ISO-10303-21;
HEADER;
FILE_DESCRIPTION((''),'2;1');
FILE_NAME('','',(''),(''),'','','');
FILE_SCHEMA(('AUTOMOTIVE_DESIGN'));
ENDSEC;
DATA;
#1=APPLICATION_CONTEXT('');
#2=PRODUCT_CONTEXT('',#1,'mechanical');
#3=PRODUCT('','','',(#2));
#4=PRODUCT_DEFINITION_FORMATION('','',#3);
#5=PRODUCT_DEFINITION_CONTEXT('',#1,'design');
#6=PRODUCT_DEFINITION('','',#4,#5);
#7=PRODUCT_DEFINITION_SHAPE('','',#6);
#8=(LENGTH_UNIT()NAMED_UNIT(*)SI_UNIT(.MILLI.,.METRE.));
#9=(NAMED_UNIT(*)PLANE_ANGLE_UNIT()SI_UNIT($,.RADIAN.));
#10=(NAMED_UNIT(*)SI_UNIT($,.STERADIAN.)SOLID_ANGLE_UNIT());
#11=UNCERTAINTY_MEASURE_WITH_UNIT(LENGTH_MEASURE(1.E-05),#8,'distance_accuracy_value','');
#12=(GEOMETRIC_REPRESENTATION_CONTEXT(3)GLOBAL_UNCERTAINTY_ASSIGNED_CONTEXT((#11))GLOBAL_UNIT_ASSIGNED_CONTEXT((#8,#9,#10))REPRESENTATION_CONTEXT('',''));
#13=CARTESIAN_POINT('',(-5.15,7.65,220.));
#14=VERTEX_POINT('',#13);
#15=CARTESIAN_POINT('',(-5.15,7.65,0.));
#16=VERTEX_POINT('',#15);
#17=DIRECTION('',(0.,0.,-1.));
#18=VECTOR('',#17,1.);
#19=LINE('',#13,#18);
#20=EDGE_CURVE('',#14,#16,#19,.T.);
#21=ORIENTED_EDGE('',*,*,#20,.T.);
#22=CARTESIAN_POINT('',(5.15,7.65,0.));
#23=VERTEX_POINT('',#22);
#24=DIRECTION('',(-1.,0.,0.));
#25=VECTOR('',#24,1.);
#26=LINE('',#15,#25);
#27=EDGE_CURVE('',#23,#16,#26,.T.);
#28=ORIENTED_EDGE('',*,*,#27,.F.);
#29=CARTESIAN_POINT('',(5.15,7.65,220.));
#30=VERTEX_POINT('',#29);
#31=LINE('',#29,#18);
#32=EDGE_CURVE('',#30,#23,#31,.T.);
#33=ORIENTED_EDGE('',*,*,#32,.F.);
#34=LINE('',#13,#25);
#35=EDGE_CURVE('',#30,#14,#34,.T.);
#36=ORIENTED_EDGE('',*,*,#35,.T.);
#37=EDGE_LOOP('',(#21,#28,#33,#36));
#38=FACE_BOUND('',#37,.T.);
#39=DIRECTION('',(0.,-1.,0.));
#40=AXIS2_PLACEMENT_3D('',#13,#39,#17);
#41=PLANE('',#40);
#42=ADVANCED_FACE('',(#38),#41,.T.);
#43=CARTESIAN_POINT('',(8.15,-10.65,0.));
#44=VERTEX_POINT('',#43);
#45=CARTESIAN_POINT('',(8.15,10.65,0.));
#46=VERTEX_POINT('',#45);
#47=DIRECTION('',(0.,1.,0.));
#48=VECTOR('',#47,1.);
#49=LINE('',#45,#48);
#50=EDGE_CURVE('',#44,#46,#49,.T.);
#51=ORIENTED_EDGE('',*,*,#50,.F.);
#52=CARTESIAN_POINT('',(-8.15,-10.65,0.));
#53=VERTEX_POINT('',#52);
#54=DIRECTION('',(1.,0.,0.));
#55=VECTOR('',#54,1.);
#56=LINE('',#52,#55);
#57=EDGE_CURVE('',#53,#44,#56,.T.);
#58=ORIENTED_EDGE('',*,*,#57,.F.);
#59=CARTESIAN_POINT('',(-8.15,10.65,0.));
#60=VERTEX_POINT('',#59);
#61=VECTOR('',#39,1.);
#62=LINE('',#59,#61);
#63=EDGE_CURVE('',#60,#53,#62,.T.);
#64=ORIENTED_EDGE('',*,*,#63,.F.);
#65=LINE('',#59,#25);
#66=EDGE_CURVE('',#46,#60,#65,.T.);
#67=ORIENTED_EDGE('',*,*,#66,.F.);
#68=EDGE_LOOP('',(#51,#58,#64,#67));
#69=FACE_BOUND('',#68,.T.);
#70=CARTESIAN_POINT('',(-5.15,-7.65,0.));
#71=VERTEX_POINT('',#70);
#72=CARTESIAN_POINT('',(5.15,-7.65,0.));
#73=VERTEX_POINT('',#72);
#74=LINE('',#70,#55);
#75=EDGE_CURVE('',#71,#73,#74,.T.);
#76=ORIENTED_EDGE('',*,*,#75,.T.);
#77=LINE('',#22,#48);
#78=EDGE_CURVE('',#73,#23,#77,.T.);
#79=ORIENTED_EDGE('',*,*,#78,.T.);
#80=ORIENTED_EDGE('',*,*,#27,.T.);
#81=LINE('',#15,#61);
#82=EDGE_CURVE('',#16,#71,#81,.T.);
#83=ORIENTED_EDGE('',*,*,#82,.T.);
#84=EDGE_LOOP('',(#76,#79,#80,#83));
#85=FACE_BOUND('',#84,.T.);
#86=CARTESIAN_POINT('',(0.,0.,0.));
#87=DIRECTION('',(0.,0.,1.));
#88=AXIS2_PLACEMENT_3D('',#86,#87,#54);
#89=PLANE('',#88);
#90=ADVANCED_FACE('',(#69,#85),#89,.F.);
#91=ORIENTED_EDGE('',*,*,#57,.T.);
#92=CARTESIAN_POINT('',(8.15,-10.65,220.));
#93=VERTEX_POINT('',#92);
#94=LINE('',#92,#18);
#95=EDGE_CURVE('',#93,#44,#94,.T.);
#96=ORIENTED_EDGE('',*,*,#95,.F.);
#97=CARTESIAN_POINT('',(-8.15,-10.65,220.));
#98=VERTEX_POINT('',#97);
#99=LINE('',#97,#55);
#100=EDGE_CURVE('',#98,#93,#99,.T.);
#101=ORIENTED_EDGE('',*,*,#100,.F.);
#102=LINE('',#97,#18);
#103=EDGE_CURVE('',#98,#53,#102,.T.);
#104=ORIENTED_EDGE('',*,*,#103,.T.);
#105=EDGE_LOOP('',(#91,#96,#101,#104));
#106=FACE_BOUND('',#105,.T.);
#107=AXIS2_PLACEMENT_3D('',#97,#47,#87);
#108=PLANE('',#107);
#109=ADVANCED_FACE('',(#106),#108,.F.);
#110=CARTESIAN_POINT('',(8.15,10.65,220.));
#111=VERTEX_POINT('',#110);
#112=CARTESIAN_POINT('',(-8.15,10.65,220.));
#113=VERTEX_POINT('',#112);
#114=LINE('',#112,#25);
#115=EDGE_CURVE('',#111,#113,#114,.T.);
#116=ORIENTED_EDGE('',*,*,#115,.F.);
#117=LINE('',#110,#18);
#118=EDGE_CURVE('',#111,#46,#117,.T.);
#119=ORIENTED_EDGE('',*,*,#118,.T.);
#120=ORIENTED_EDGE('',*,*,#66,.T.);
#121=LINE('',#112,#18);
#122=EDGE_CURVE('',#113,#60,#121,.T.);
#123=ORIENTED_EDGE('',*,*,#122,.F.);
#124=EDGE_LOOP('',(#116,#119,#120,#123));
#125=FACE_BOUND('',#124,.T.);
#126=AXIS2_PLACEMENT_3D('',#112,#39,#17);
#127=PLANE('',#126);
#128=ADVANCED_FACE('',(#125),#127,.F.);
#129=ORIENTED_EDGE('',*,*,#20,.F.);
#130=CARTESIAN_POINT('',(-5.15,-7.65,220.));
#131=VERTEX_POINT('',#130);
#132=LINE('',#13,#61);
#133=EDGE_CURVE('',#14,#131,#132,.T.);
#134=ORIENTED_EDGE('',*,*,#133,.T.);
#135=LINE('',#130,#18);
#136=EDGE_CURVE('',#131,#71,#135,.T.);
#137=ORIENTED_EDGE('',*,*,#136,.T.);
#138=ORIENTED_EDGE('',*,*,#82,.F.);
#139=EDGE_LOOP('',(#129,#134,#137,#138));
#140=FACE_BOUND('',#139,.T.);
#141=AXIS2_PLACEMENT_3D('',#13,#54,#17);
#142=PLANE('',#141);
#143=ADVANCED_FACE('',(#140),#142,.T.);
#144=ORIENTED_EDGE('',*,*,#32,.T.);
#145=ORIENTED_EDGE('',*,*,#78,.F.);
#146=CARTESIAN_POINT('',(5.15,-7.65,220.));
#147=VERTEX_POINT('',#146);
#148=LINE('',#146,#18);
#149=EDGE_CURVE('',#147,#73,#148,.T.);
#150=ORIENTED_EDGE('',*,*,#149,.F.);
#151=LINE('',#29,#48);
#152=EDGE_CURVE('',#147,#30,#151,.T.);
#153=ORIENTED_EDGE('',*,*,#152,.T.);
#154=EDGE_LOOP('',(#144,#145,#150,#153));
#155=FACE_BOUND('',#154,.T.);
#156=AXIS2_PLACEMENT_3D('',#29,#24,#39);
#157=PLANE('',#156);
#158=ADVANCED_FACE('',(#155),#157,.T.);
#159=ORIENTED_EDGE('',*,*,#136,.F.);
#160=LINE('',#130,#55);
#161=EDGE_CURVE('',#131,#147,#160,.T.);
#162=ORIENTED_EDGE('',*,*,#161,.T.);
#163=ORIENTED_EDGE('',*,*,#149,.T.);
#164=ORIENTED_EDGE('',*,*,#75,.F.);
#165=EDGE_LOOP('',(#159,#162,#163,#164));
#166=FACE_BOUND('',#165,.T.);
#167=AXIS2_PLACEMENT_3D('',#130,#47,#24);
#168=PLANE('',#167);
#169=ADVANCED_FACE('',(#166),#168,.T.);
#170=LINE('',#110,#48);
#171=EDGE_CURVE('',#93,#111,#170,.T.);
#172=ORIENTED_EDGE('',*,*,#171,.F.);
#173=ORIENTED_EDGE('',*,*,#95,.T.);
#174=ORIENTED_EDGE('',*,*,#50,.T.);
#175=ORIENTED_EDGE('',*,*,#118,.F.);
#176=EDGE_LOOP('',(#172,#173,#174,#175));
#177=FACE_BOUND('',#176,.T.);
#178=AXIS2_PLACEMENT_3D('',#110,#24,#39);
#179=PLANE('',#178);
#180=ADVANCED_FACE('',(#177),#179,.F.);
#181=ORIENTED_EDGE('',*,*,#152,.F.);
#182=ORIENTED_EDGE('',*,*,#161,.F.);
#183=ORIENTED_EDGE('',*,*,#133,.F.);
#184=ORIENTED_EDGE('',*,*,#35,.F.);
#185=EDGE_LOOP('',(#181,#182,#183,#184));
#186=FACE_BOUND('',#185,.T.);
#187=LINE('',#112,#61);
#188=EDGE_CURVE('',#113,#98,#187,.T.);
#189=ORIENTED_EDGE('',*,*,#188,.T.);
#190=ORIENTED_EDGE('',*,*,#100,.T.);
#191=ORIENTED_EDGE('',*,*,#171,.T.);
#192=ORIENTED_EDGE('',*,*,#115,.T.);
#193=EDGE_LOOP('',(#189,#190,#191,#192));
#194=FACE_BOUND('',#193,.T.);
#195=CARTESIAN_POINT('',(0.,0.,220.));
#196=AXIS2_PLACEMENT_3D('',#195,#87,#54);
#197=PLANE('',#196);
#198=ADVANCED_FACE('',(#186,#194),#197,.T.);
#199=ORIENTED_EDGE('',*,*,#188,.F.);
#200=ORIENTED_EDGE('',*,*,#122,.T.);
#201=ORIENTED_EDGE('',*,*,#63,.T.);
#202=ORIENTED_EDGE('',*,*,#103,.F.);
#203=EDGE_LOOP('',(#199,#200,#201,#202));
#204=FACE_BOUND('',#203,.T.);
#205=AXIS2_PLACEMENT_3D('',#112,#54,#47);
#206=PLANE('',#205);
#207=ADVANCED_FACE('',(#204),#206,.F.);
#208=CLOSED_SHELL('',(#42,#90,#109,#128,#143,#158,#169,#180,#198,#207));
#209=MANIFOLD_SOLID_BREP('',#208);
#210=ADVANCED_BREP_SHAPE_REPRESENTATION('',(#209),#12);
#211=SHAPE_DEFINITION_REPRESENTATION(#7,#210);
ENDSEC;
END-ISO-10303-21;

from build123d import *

# Parameters (mm, degrees)
SKETCH_1_W      = 16.3
SKETCH_1_H      = 21.3
SKETCH_1_W_2    = 10.3
SKETCH_1_H_2    = 15.3
EXTRUDE_1_DEPTH = 220


with BuildPart() as part:
    # 草图1 → 凸台-拉伸1 (new body)
    with BuildSketch(Plane.XY):
        Rectangle(SKETCH_1_W, SKETCH_1_H)
        Rectangle(SKETCH_1_W_2, SKETCH_1_H_2, mode=Mode.SUBTRACT)
    extrude(amount=EXTRUDE_1_DEPTH)


solid = part.part
